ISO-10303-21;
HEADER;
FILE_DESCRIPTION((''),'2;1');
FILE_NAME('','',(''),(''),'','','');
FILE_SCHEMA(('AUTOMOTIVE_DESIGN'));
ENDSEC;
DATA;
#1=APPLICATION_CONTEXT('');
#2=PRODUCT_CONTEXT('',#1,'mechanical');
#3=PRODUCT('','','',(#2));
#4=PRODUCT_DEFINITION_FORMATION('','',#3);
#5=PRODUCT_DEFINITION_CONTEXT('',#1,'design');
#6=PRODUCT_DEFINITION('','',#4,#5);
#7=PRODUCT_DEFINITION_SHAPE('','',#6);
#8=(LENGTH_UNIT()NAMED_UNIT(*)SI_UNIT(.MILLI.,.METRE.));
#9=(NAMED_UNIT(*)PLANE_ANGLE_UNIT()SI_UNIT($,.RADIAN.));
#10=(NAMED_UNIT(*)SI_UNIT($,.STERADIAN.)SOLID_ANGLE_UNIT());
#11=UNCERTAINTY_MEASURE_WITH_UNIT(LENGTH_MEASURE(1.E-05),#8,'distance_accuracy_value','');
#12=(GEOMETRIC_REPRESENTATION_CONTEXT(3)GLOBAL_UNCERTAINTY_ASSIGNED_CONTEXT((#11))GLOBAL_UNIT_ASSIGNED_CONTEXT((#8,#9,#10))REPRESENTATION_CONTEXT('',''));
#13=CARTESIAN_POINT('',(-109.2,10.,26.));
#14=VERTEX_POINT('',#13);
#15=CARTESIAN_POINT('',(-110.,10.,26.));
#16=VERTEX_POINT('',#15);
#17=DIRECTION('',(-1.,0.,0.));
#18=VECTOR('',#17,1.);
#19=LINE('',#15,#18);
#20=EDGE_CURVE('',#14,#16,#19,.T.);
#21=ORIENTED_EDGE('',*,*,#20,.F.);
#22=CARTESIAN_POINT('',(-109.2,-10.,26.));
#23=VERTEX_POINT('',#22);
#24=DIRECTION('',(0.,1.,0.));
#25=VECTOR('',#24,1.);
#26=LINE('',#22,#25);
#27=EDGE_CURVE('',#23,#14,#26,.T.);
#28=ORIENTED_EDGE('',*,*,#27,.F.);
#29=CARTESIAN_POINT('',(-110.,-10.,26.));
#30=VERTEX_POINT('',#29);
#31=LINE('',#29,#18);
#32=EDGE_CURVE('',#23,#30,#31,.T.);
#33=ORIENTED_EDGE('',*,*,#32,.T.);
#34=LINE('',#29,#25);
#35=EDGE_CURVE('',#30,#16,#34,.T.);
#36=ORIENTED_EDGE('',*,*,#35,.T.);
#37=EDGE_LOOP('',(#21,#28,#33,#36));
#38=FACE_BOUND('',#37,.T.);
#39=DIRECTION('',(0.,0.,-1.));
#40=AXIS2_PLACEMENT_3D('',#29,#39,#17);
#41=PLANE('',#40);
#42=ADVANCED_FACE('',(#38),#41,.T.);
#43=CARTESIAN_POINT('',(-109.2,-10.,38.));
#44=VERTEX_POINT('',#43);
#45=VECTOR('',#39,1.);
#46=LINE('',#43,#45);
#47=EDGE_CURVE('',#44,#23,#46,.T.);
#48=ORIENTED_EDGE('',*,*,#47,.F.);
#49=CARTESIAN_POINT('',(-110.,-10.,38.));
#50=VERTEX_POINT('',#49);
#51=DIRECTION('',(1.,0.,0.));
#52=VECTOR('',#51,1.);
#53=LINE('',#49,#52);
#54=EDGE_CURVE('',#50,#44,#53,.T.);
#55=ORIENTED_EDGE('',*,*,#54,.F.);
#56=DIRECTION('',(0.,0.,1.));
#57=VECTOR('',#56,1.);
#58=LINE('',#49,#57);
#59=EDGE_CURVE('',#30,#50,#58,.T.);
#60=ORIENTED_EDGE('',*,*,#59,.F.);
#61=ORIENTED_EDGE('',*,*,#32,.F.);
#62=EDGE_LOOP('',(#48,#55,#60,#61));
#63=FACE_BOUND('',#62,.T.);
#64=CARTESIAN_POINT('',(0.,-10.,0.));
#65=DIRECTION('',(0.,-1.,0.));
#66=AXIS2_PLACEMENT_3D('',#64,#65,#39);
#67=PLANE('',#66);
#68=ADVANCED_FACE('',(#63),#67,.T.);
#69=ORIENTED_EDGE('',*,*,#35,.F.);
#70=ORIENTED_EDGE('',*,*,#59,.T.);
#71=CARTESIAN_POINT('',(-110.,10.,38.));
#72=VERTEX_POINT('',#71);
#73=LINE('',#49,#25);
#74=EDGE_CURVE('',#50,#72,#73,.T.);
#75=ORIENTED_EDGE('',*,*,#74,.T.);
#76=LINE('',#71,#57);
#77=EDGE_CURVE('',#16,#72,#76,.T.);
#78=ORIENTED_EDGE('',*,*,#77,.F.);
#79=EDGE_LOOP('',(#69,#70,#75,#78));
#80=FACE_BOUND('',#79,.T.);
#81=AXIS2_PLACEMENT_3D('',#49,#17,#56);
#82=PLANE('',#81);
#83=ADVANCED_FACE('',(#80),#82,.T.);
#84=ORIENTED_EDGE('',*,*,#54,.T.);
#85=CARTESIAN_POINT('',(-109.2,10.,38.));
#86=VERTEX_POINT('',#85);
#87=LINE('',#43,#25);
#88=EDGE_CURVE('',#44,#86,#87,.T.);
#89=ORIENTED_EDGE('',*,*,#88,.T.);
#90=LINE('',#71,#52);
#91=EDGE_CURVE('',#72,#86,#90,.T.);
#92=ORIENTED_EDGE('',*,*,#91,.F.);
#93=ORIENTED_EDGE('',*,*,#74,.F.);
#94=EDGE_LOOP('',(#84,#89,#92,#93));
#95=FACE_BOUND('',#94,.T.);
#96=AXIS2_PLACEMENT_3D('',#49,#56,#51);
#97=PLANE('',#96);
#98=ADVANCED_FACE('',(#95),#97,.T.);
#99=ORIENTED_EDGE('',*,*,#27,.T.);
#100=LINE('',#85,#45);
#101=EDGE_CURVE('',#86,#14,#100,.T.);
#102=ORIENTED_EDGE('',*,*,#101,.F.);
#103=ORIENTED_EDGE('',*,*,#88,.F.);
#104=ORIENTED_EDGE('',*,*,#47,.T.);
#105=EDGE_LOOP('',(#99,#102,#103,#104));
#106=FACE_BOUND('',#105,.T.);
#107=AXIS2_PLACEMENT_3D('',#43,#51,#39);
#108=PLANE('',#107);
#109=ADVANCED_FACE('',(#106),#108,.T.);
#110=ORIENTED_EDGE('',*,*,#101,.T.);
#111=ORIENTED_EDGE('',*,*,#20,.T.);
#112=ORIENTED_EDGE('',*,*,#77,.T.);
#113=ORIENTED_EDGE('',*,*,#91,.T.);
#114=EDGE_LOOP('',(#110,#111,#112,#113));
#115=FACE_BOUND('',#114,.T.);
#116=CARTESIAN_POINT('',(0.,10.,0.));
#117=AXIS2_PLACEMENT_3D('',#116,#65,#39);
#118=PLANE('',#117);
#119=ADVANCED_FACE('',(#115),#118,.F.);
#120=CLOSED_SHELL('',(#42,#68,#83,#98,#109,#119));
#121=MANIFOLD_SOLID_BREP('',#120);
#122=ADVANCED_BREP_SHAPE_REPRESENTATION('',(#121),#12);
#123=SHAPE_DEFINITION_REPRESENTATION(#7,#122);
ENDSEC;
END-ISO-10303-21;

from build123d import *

# Parameters (mm, degrees)
MATING_PATCH_20X12X0P8_DEPTH      = 10
MATING_PATCH_20X12X0P8_DEPTH_BACK = 10
SKETCH_1_W                        = 0.8
SKETCH_1_H                        = 12


with BuildPart() as part:
    # 草图1 → Mating_patch_20x12x0p8 (new, two sides: drawn at the far end of the back side and taken through both)
    with BuildSketch(Plane(origin=(0, 0, 0), x_dir=(1, 0, 0), z_dir=(0, 1, 0)).offset(-MATING_PATCH_20X12X0P8_DEPTH_BACK)):
        with Locations((-109.6, -32)):
            Rectangle(SKETCH_1_W, SKETCH_1_H)
    extrude(amount=MATING_PATCH_20X12X0P8_DEPTH + MATING_PATCH_20X12X0P8_DEPTH_BACK)


solid = part.part
